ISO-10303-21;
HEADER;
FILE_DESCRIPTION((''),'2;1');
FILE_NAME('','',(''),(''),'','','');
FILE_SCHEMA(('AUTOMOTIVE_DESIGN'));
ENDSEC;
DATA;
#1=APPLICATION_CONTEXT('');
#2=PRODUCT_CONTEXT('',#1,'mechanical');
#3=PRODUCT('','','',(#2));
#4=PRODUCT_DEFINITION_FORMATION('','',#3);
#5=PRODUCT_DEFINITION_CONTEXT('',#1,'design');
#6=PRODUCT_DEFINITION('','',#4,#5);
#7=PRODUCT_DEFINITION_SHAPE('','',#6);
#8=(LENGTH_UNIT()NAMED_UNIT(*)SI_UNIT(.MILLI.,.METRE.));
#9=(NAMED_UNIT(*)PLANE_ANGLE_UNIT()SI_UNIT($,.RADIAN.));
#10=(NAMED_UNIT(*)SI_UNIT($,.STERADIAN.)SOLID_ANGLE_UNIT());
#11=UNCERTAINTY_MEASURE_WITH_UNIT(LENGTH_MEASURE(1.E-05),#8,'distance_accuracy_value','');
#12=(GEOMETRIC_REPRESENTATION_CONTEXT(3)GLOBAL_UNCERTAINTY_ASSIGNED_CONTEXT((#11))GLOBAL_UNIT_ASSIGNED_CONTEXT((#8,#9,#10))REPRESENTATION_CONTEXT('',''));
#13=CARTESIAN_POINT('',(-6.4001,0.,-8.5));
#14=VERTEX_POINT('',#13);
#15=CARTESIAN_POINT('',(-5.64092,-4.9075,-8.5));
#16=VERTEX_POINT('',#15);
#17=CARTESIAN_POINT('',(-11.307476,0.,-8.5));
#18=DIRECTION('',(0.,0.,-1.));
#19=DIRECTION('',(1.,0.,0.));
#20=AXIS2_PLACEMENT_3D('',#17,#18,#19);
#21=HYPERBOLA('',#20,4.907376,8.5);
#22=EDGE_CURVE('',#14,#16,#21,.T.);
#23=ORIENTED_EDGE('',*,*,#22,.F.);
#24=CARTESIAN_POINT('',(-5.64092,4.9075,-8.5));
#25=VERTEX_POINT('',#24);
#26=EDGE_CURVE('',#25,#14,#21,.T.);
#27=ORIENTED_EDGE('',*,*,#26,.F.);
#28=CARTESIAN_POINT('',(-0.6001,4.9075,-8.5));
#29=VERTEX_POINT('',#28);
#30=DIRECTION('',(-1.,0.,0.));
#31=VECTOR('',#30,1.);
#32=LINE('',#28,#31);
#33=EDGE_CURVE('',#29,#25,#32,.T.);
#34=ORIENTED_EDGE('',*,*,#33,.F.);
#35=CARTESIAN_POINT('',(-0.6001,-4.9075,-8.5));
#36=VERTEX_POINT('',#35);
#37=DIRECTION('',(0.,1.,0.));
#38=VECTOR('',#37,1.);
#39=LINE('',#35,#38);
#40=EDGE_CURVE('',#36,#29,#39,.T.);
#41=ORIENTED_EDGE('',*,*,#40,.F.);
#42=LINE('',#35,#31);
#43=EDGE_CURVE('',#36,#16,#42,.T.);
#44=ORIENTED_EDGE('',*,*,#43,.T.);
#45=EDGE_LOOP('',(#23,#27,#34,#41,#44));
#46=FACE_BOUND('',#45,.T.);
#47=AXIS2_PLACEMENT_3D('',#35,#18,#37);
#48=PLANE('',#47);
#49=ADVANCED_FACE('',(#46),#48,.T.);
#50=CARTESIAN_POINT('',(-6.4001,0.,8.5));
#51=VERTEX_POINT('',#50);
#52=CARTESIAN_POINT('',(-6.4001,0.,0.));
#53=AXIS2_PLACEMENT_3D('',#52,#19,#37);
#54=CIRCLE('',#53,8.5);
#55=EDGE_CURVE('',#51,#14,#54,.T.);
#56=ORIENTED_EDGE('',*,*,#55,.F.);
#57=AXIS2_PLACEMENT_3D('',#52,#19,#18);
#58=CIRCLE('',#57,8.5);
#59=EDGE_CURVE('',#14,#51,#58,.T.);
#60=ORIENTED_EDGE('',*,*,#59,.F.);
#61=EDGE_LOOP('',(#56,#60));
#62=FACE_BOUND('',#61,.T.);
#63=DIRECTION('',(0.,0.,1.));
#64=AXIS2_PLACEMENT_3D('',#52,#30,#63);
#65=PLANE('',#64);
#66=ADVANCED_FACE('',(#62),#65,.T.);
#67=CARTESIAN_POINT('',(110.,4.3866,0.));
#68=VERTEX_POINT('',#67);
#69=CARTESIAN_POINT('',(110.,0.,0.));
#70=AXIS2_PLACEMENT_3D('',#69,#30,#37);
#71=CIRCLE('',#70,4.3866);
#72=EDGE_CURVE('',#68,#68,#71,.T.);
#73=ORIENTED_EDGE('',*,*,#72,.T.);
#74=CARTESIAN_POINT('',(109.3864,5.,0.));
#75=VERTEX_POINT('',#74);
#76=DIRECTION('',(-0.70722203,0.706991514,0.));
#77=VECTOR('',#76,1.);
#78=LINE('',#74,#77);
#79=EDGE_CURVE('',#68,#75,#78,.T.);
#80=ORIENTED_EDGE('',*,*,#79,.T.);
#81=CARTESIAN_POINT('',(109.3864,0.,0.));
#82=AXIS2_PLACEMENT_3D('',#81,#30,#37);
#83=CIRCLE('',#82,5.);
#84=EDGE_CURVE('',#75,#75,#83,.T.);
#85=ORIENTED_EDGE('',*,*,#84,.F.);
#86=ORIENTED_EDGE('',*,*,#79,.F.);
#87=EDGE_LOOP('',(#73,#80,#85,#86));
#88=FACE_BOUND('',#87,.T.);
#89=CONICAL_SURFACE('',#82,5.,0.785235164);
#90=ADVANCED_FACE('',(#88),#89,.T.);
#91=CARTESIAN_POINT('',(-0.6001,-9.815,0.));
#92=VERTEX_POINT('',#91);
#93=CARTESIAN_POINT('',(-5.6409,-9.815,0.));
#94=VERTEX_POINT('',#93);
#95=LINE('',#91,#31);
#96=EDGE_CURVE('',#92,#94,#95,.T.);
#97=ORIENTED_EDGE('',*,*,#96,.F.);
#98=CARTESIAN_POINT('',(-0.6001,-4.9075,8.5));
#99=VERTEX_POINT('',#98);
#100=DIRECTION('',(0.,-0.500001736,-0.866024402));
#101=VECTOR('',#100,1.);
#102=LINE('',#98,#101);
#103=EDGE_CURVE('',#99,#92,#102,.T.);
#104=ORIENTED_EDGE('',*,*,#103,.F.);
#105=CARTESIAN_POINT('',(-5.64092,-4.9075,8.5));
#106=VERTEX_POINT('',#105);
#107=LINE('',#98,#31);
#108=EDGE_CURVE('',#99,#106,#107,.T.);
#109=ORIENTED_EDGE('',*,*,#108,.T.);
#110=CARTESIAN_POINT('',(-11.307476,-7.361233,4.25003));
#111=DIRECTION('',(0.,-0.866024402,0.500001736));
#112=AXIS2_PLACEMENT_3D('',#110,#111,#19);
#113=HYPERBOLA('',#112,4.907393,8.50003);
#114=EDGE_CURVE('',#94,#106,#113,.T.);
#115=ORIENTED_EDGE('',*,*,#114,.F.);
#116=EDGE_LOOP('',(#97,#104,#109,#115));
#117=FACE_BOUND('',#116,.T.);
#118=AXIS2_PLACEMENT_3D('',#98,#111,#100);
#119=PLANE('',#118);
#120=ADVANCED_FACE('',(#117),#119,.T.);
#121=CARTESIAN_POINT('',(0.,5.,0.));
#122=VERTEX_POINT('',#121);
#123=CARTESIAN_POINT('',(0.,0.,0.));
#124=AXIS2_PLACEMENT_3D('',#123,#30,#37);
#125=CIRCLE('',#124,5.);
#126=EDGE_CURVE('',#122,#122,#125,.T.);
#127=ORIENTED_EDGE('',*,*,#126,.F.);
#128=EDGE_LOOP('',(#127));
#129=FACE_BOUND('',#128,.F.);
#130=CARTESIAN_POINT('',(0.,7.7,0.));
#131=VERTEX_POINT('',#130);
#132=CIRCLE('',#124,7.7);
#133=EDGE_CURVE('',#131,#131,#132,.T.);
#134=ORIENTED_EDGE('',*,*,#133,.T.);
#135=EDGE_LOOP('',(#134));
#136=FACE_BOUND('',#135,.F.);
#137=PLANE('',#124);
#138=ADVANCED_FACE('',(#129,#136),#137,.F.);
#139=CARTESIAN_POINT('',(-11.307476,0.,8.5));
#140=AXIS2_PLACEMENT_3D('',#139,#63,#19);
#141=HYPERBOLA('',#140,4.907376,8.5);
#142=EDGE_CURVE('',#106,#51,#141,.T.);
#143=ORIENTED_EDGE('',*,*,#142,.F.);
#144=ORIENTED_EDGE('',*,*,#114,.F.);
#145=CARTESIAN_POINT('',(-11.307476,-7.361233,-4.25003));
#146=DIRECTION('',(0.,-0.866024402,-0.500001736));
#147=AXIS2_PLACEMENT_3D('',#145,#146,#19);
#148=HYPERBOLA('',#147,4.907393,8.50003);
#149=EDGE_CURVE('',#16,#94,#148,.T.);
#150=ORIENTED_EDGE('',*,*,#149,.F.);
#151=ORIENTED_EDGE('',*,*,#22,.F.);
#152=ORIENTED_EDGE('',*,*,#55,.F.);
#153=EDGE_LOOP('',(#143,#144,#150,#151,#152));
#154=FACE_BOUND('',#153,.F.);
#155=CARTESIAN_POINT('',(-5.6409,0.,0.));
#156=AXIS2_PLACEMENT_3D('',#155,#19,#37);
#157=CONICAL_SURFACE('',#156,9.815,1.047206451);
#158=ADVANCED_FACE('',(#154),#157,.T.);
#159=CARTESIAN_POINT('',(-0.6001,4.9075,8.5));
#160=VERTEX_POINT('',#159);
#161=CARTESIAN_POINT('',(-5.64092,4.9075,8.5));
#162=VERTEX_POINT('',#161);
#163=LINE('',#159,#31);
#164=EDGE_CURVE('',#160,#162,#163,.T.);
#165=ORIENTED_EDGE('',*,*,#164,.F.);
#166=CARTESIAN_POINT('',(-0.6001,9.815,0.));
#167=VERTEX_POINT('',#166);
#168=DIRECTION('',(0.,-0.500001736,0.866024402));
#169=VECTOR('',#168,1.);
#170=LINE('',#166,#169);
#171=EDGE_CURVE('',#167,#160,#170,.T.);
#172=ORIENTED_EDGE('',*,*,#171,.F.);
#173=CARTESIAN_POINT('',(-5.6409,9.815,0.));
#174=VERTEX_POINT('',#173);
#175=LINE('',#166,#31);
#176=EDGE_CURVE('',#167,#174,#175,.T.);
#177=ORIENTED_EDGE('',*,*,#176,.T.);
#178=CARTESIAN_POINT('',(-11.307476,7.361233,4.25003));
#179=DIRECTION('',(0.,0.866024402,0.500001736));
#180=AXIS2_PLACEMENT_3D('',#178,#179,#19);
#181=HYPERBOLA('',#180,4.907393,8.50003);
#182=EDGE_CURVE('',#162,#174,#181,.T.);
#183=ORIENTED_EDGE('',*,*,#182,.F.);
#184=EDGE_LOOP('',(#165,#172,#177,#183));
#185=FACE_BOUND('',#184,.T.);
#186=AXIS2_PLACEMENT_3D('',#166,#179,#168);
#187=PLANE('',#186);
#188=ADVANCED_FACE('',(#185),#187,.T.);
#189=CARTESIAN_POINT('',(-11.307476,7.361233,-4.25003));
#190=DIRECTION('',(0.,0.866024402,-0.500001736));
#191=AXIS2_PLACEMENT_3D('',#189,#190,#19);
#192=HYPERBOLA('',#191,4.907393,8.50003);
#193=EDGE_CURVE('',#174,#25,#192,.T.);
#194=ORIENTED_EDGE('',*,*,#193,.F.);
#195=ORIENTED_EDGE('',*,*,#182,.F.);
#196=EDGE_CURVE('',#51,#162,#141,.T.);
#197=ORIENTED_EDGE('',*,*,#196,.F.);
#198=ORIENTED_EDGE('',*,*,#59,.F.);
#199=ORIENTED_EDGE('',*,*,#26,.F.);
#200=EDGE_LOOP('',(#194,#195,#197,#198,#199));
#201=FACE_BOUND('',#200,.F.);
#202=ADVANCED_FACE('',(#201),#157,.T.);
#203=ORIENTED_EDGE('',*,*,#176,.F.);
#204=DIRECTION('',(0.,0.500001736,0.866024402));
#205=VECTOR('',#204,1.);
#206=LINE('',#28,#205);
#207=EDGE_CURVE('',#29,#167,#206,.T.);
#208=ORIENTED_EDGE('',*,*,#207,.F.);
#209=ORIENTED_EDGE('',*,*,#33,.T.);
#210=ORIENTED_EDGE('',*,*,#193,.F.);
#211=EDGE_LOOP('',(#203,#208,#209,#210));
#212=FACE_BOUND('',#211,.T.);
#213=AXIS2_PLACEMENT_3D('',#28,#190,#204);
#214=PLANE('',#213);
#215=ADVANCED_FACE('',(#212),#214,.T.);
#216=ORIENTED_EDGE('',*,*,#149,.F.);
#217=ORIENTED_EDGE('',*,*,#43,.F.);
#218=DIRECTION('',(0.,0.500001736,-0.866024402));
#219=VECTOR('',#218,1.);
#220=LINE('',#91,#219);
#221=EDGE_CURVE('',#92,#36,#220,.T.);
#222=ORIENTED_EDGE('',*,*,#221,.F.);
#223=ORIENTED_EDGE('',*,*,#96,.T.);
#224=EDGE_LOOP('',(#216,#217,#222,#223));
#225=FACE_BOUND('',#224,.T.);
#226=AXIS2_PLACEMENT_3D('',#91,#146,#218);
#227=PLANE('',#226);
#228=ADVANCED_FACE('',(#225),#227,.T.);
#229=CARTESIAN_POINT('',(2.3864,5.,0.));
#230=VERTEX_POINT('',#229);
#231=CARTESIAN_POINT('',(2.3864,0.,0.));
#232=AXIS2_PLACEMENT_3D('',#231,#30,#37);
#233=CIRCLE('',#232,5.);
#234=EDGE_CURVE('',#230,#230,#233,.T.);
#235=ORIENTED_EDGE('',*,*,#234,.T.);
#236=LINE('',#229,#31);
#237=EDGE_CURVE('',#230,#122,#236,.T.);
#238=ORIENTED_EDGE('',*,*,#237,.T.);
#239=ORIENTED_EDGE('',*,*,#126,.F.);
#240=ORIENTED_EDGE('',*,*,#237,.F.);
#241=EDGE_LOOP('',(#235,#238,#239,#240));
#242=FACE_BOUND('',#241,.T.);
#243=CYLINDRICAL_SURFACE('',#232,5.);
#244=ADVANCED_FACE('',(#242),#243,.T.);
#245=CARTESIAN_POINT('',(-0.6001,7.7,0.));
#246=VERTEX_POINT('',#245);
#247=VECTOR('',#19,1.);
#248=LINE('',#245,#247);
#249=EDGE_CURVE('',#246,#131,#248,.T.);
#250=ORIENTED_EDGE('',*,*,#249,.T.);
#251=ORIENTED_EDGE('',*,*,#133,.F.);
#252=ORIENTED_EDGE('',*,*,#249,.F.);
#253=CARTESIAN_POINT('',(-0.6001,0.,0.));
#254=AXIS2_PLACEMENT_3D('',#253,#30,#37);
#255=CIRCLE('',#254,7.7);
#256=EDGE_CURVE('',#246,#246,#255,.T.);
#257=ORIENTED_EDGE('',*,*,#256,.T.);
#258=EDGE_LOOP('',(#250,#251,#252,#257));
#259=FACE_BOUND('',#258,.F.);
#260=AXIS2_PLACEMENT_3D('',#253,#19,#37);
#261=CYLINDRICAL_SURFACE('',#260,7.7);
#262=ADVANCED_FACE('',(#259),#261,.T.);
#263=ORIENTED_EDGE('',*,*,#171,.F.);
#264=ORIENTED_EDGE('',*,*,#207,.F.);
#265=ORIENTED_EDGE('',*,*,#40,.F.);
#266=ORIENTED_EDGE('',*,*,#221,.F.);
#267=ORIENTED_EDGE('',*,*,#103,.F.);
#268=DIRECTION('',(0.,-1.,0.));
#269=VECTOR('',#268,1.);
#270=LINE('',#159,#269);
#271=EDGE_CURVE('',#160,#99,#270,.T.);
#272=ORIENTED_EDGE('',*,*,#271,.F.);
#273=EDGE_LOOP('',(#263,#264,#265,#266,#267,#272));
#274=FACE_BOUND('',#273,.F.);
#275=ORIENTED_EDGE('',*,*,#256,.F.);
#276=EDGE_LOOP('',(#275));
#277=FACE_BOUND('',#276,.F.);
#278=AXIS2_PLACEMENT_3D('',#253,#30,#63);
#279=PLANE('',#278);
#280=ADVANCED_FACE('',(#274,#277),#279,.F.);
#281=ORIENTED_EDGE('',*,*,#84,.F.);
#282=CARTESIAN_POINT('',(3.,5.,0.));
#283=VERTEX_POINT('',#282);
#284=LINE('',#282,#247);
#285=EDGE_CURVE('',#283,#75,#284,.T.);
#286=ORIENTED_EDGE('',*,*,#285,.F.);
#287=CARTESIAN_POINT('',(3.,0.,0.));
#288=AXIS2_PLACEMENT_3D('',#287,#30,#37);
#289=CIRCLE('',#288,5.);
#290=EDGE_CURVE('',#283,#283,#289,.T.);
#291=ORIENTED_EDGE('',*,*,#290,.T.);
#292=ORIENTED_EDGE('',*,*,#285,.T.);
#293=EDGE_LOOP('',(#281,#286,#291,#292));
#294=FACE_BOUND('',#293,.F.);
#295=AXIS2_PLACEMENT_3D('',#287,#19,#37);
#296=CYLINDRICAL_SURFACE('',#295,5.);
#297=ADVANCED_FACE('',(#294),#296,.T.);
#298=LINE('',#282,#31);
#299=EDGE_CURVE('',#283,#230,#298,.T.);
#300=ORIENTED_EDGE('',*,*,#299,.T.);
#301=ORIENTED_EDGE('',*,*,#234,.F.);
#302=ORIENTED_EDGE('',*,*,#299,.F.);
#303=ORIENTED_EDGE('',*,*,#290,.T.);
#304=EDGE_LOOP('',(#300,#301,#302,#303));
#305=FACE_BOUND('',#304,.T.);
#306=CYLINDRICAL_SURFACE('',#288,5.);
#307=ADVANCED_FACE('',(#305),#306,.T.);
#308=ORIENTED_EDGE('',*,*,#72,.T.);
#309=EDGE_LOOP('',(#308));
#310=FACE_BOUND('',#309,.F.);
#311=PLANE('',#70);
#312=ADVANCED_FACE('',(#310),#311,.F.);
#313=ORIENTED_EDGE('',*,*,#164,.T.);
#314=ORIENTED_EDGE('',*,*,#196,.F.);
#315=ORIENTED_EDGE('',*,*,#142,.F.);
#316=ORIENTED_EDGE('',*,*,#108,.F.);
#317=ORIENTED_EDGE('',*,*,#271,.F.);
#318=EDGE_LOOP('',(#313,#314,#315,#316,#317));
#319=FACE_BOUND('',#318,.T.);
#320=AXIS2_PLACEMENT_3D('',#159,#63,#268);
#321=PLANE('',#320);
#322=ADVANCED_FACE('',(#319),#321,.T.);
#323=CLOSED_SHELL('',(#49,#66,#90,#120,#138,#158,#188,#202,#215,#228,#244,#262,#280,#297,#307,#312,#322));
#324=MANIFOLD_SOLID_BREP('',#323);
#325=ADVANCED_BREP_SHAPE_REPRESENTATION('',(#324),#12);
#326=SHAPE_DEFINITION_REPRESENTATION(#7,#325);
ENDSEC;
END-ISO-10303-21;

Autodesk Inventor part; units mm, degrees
ref_plane "YZ Plane" through (0, 0, 0) normal (1, 0, 0) x (0, 1, 0)
ref_plane "XZ Plane" through (0, 0, 0) normal (0, 1, 0) x (-1, 0, 0)
sketch "Sketch1" plane through (0, 0, 0) normal (0, 0, 1) x (1, 0, 0)
  line L0 (0, 7.7) -> (0, 5)
  line L1 (3, 5) -> (110, 5)
  line L2 (110, 5) -> (110, 0)
  line L3 (110, 0) -> (-0.6001, 0)
  line L4 (-22.7201, 0) -> (132.12, 0) projected
  line L5 (-0.6001, 0) -> (-0.6001, 7.7)
  line L6 (-0.6001, 7.7) -> (0, 7.7)
  line L7 (3, 5) -> (2.3864, 5)
  line L8 (2.3864, 5) -> (0, 5)
  line L9 (0, -1.54) -> (0, 9.24) projected
  dimension "d0" = 110
  dimension "d1" = 107
  dimension "d2" = 10
  dimension "d9" = 0.6001
  dimension "d10" = 15.4
  dimension "d13" = 0.6136
  dimension "d14" = 10
revolve "Body" add sketch "Sketch1" angle 360 about axis through (110, 0, 0) along (-1, 0, 0)
sketch "Sketch2" plane through (-0.6001, 0, 0) normal (-1, 0, 0) x (0, 0, 1)
  line L0 (0, 9.815) -> (8.5, 4.9075)
  line L1 (8.5, 4.9075) -> (8.5, -4.9075)
  line L2 (8.5, -4.9075) -> (0, -9.815)
  line L3 (0, -9.815) -> (-8.5, -4.9075)
  line L4 (-8.5, -4.9075) -> (-8.5, 4.9075)
  line L5 (-8.5, 4.9075) -> (0, 9.815)
  point P0 (0, 0)
  point P1 (0, 0)
  dimension "d11" = 17
extrude "Head" add sketch "Sketch2" along normal blind 5.8
sketch "Sketch4" plane through (0, 0, 0) normal (0, 0, 1) x (1, 0, 0)
  line L0 (-6.4001, 8.5) -> (-6.4001, 9.815)
  line L1 (-6.4001, 9.815) -> (-5.6409, 9.815)
  line L2 (-5.6409, 9.815) -> (-6.4001, 8.5)
  line L3 (-7.5601, 0) -> (0.5599, 0) projected
  line L4 (-0.6001, 9.815) -> (-6.4001, 9.815) projected
  line L5 (-6.4001, 4.9075) -> (-6.4001, 9.815) projected
  dimension "d5" = 30
  dimension "d19" = 17
revolve "Chamfer1" cut sketch "Sketch4" angle 360 about axis through (-10, 0, 0) along (1, 0, 0)
thread "Thread" size "M10x1" class "6g" standard "ISO Metric profile" length 107
chamfer "Chamfer2" distance 0.6134 distance2 0.6136 1 edges at (110, -5, 0) measured on face at (110, 0.591, 1.1849)
ref_plane "Work Plane1" through (1.525, 0, 0) normal (0, 0, 1) x (1, 0, 0)
equation "\"d0\" = NLG"
equation "\"d1\" = GEL"
equation "\"d2\" = GD"
equation "\"d10\" = SD2"
equation "\"d14\" = BDM"
equation "\"d11\" = SW"
equation "\"d3\" = KOH - SD"
equation "\"d5\" = ANG1"
equation "\"d19\" = SW0"
equation "\"d15\" = GEL"
equation "\"d6\" = -0.5 * SPD + 0.5 * GD"
equation "\"NLG\" = 110"
equation "\"GD\" = NND"
equation "\"BDM\" = NND"
equation "\"KOH\" = 6.4"
equation "\"GEL\" = 107"
equation "\"SW\" = 17"
equation "\"SW0\" = 17"
equation "\"SPD\" = NND - 1.2269 * PTC"
equation "\"SD2\" = 15.4"
equation "\"SD\" = 0.6"
equation "\"ANG1\" = 30deg"
equation "\"GAL\" = 0.61345 * PTC"
equation "\"GUL\" = 0.61345 * PTC"
equation "\"RR\" = 0"
equation "\"GD1\" = THREADDIA - 1.2269 * PTC"
equation "\"TOA\" = 30deg"
equation "\"FAWI\" = 45deg"
equation "\"PTC\" = 1"
equation "\"E0\" = 1.155 * SW"
equation "\"NND\" = 10"
equation "\"THREADDIA\" = 10"
properties part number "DIN 961 - M10 x 110" material "Steel, Mild"
